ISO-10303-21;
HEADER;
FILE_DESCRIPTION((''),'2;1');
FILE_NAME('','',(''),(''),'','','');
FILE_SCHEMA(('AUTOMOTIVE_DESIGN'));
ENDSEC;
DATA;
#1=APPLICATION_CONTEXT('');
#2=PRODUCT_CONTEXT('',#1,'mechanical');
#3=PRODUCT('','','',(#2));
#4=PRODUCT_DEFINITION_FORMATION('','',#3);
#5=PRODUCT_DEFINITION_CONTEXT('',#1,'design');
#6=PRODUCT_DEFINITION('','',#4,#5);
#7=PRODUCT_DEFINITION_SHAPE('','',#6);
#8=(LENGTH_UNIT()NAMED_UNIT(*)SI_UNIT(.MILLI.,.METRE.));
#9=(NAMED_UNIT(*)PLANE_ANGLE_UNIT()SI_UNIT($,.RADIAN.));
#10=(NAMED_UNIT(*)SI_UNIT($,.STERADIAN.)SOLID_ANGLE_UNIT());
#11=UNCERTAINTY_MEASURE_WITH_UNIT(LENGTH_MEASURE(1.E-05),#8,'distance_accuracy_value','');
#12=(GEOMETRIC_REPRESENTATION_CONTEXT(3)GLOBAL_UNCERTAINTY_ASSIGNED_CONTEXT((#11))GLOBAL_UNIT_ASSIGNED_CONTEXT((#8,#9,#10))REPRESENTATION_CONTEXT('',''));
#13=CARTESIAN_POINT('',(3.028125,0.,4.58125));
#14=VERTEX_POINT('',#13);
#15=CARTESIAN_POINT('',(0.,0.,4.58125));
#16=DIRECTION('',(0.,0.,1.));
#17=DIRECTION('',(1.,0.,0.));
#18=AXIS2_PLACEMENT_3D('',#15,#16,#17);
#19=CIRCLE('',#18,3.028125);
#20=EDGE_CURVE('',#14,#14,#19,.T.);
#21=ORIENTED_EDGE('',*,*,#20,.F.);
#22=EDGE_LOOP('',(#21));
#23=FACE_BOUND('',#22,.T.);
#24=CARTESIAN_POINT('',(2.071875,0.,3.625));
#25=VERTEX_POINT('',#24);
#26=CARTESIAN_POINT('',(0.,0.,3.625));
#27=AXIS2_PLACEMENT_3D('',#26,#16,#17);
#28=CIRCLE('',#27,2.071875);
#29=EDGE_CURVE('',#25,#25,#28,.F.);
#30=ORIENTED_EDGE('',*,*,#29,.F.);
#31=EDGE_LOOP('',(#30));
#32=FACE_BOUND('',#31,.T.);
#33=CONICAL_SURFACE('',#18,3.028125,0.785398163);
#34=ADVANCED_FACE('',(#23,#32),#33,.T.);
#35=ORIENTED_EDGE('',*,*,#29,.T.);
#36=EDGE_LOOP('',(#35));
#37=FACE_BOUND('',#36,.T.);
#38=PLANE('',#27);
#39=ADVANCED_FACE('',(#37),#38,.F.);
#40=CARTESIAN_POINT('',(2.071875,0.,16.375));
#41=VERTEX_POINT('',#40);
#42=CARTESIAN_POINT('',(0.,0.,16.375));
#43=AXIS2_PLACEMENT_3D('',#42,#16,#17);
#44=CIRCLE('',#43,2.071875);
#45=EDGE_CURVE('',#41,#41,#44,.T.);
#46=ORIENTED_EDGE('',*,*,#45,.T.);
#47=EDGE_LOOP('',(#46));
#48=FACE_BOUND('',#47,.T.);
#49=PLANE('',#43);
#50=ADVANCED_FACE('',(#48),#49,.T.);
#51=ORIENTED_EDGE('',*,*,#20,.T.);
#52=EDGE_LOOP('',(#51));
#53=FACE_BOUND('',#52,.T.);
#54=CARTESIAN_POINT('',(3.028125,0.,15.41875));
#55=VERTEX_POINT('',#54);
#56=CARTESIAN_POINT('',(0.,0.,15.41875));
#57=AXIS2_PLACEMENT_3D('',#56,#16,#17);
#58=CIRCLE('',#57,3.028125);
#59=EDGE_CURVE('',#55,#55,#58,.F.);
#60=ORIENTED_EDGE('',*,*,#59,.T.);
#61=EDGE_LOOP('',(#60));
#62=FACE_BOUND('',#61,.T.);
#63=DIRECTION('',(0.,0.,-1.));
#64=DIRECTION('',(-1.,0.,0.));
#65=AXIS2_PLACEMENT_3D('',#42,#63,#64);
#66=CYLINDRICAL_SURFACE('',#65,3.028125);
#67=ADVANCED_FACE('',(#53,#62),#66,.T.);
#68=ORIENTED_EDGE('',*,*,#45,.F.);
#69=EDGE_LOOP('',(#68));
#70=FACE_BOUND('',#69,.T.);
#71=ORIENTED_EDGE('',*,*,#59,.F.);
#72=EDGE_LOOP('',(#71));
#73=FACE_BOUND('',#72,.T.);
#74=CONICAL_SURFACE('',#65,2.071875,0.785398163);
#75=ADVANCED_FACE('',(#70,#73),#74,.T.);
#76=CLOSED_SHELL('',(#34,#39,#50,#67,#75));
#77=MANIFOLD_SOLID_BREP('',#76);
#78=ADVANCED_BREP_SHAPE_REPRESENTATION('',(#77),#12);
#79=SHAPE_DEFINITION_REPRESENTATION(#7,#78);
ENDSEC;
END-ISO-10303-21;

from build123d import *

# Parameters (mm, degrees)
SKETCH1_R           = 4.75
BOSS_EXTRUDE1_DEPTH = 20
CHAMFER1_SIZE       = 1.5
CHAMFER2_SIZE       = 1.5
SCALE1_SCALE        = 0.75
SCALE2_SCALE        = 0.85


with BuildPart() as part:
    # Sketch1 → Boss-Extrude1 (new body)
    with BuildSketch(Plane(origin=(0, 0, 0), x_dir=(0, 1, 0), z_dir=(0, 0, 1))):
        Circle(SKETCH1_R)
    extrude(amount=BOSS_EXTRUDE1_DEPTH)

    # Chamfer1
    chamfer1_edges = [part.edges().sort_by_distance(p)[0] for p in [
        (0, -4.75, 0),
    ]]
    chamfer(chamfer1_edges, length=CHAMFER1_SIZE)

    # Chamfer2
    chamfer2_edges = [part.edges().sort_by_distance(p)[0] for p in [
        (0, -4.75, 20),
    ]]
    chamfer(chamfer2_edges, length=CHAMFER2_SIZE)


with BuildPart() as part_1:
    # Scale1: scaled about (0, 0, 10)
    add(part.part.scale(SCALE1_SCALE).moved(Location((0, 0, 2.5))))


with BuildPart() as part_2:
    # Scale2: scaled about (0, 0, 10)
    add(part_1.part.scale(SCALE2_SCALE).moved(Location((0, 0, 1.5))))


solid = part_2.part
